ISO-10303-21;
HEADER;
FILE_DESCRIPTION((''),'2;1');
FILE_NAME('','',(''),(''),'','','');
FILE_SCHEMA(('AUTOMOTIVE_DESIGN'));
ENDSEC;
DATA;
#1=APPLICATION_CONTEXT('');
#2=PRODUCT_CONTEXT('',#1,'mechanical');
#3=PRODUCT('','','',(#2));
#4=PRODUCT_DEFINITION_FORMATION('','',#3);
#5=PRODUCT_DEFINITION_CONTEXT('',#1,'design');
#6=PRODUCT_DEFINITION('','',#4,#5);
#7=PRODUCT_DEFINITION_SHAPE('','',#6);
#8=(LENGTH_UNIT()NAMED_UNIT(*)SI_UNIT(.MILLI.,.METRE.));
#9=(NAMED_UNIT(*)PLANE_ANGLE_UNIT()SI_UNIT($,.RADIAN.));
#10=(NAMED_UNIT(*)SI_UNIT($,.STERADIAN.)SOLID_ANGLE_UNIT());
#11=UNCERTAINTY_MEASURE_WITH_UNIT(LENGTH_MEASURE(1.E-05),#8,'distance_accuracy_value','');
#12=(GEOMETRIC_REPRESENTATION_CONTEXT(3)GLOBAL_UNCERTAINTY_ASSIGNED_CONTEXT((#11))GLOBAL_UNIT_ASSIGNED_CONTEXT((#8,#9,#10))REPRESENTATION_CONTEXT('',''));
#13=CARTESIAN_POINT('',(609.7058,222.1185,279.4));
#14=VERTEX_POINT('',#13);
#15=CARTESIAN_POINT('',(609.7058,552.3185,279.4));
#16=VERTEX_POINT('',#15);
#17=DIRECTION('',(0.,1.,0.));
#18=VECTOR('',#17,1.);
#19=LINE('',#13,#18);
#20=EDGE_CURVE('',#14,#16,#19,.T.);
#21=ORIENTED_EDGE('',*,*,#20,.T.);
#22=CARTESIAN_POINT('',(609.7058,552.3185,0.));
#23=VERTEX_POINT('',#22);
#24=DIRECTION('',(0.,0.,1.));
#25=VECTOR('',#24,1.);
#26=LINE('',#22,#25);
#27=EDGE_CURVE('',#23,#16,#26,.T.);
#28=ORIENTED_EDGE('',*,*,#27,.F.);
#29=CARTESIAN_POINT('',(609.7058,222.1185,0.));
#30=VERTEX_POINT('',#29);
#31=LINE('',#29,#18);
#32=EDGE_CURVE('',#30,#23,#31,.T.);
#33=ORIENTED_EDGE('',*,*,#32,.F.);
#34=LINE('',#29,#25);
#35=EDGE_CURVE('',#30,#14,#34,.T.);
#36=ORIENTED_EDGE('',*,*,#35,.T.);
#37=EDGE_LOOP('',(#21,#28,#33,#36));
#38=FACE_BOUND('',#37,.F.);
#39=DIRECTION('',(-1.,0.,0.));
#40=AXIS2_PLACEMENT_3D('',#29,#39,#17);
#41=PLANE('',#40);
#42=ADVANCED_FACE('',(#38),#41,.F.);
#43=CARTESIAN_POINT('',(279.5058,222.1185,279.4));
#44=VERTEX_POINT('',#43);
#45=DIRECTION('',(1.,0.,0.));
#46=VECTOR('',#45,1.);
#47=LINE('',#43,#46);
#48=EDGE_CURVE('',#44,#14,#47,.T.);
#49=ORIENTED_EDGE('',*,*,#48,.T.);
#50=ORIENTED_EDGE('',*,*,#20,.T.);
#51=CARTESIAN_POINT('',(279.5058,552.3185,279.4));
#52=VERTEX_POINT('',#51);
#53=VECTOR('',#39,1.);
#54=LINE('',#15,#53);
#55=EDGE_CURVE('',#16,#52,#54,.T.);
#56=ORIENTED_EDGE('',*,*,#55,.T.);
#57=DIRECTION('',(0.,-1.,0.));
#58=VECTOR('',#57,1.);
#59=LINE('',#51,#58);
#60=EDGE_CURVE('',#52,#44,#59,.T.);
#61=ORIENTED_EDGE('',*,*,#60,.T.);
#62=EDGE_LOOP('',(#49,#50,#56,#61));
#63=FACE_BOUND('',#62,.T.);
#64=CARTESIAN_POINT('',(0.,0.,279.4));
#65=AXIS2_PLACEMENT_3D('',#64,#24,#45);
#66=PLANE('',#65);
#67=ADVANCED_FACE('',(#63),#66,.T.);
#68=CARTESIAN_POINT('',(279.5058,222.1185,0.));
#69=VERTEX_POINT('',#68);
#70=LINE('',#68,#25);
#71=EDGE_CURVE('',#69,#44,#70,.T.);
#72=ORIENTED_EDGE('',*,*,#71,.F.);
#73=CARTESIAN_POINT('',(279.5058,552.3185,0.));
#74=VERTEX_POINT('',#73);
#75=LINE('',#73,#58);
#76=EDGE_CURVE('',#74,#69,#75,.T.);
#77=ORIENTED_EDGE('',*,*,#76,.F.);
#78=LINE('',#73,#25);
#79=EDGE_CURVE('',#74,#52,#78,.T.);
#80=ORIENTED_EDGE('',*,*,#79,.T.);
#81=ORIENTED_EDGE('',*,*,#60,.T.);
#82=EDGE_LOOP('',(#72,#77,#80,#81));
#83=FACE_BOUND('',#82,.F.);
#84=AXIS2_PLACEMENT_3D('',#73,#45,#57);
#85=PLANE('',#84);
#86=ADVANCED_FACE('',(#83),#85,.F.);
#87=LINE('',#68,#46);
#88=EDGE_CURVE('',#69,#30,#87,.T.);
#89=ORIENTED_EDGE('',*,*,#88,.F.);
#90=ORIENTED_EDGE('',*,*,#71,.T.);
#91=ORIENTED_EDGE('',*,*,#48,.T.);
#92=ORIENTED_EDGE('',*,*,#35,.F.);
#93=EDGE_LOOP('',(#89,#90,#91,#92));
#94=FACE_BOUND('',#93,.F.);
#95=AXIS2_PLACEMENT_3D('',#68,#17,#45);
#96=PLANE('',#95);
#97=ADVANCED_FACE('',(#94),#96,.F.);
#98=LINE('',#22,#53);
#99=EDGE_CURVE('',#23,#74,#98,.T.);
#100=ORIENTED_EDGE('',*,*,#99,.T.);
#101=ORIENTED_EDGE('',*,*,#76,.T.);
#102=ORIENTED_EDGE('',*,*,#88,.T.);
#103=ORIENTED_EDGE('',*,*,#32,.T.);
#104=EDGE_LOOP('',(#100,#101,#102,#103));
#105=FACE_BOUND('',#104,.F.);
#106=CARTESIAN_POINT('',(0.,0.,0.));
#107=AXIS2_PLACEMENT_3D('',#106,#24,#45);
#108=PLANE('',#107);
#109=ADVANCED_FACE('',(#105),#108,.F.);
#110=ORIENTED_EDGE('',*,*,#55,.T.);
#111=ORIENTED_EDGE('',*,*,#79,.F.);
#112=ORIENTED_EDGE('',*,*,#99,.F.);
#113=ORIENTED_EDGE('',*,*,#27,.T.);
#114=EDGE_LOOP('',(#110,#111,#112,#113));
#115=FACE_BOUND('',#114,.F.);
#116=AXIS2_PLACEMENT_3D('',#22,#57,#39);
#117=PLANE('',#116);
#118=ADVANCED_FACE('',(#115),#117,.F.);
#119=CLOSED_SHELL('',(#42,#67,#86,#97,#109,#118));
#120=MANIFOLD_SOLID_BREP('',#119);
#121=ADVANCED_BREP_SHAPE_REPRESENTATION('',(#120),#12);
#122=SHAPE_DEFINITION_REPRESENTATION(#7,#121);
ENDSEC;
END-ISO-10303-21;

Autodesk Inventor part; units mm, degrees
ref_plane "YZ Plane" through (0, 0, 0) normal (1, 0, 0) x (0, 1, 0)
ref_plane "XZ Plane" through (0, 0, 0) normal (0, 1, 0) x (-1, 0, 0)
ref_plane "XY Plane" through (0, 0, 0) normal (0, 0, 1) x (1, 0, 0)
sketch "Sketch1" plane through (0, 0, 0) normal (0, 0, 1) x (1, 0, 0)
  line L0 (609.7058, 552.3185) -> (279.5058, 552.3185)
  line L1 (279.5058, 552.3185) -> (279.5058, 222.1185)
  line L2 (279.5058, 222.1185) -> (609.7058, 222.1185)
  line L3 (609.7058, 222.1185) -> (609.7058, 552.3185)
  point P0 (0, 0)
  dimension "d0" = 330.2
  dimension "d1" = 330.2
extrude "Extrusion1" add sketch "Sketch1" along normal blind 279.4
properties part number "PowerCube"
